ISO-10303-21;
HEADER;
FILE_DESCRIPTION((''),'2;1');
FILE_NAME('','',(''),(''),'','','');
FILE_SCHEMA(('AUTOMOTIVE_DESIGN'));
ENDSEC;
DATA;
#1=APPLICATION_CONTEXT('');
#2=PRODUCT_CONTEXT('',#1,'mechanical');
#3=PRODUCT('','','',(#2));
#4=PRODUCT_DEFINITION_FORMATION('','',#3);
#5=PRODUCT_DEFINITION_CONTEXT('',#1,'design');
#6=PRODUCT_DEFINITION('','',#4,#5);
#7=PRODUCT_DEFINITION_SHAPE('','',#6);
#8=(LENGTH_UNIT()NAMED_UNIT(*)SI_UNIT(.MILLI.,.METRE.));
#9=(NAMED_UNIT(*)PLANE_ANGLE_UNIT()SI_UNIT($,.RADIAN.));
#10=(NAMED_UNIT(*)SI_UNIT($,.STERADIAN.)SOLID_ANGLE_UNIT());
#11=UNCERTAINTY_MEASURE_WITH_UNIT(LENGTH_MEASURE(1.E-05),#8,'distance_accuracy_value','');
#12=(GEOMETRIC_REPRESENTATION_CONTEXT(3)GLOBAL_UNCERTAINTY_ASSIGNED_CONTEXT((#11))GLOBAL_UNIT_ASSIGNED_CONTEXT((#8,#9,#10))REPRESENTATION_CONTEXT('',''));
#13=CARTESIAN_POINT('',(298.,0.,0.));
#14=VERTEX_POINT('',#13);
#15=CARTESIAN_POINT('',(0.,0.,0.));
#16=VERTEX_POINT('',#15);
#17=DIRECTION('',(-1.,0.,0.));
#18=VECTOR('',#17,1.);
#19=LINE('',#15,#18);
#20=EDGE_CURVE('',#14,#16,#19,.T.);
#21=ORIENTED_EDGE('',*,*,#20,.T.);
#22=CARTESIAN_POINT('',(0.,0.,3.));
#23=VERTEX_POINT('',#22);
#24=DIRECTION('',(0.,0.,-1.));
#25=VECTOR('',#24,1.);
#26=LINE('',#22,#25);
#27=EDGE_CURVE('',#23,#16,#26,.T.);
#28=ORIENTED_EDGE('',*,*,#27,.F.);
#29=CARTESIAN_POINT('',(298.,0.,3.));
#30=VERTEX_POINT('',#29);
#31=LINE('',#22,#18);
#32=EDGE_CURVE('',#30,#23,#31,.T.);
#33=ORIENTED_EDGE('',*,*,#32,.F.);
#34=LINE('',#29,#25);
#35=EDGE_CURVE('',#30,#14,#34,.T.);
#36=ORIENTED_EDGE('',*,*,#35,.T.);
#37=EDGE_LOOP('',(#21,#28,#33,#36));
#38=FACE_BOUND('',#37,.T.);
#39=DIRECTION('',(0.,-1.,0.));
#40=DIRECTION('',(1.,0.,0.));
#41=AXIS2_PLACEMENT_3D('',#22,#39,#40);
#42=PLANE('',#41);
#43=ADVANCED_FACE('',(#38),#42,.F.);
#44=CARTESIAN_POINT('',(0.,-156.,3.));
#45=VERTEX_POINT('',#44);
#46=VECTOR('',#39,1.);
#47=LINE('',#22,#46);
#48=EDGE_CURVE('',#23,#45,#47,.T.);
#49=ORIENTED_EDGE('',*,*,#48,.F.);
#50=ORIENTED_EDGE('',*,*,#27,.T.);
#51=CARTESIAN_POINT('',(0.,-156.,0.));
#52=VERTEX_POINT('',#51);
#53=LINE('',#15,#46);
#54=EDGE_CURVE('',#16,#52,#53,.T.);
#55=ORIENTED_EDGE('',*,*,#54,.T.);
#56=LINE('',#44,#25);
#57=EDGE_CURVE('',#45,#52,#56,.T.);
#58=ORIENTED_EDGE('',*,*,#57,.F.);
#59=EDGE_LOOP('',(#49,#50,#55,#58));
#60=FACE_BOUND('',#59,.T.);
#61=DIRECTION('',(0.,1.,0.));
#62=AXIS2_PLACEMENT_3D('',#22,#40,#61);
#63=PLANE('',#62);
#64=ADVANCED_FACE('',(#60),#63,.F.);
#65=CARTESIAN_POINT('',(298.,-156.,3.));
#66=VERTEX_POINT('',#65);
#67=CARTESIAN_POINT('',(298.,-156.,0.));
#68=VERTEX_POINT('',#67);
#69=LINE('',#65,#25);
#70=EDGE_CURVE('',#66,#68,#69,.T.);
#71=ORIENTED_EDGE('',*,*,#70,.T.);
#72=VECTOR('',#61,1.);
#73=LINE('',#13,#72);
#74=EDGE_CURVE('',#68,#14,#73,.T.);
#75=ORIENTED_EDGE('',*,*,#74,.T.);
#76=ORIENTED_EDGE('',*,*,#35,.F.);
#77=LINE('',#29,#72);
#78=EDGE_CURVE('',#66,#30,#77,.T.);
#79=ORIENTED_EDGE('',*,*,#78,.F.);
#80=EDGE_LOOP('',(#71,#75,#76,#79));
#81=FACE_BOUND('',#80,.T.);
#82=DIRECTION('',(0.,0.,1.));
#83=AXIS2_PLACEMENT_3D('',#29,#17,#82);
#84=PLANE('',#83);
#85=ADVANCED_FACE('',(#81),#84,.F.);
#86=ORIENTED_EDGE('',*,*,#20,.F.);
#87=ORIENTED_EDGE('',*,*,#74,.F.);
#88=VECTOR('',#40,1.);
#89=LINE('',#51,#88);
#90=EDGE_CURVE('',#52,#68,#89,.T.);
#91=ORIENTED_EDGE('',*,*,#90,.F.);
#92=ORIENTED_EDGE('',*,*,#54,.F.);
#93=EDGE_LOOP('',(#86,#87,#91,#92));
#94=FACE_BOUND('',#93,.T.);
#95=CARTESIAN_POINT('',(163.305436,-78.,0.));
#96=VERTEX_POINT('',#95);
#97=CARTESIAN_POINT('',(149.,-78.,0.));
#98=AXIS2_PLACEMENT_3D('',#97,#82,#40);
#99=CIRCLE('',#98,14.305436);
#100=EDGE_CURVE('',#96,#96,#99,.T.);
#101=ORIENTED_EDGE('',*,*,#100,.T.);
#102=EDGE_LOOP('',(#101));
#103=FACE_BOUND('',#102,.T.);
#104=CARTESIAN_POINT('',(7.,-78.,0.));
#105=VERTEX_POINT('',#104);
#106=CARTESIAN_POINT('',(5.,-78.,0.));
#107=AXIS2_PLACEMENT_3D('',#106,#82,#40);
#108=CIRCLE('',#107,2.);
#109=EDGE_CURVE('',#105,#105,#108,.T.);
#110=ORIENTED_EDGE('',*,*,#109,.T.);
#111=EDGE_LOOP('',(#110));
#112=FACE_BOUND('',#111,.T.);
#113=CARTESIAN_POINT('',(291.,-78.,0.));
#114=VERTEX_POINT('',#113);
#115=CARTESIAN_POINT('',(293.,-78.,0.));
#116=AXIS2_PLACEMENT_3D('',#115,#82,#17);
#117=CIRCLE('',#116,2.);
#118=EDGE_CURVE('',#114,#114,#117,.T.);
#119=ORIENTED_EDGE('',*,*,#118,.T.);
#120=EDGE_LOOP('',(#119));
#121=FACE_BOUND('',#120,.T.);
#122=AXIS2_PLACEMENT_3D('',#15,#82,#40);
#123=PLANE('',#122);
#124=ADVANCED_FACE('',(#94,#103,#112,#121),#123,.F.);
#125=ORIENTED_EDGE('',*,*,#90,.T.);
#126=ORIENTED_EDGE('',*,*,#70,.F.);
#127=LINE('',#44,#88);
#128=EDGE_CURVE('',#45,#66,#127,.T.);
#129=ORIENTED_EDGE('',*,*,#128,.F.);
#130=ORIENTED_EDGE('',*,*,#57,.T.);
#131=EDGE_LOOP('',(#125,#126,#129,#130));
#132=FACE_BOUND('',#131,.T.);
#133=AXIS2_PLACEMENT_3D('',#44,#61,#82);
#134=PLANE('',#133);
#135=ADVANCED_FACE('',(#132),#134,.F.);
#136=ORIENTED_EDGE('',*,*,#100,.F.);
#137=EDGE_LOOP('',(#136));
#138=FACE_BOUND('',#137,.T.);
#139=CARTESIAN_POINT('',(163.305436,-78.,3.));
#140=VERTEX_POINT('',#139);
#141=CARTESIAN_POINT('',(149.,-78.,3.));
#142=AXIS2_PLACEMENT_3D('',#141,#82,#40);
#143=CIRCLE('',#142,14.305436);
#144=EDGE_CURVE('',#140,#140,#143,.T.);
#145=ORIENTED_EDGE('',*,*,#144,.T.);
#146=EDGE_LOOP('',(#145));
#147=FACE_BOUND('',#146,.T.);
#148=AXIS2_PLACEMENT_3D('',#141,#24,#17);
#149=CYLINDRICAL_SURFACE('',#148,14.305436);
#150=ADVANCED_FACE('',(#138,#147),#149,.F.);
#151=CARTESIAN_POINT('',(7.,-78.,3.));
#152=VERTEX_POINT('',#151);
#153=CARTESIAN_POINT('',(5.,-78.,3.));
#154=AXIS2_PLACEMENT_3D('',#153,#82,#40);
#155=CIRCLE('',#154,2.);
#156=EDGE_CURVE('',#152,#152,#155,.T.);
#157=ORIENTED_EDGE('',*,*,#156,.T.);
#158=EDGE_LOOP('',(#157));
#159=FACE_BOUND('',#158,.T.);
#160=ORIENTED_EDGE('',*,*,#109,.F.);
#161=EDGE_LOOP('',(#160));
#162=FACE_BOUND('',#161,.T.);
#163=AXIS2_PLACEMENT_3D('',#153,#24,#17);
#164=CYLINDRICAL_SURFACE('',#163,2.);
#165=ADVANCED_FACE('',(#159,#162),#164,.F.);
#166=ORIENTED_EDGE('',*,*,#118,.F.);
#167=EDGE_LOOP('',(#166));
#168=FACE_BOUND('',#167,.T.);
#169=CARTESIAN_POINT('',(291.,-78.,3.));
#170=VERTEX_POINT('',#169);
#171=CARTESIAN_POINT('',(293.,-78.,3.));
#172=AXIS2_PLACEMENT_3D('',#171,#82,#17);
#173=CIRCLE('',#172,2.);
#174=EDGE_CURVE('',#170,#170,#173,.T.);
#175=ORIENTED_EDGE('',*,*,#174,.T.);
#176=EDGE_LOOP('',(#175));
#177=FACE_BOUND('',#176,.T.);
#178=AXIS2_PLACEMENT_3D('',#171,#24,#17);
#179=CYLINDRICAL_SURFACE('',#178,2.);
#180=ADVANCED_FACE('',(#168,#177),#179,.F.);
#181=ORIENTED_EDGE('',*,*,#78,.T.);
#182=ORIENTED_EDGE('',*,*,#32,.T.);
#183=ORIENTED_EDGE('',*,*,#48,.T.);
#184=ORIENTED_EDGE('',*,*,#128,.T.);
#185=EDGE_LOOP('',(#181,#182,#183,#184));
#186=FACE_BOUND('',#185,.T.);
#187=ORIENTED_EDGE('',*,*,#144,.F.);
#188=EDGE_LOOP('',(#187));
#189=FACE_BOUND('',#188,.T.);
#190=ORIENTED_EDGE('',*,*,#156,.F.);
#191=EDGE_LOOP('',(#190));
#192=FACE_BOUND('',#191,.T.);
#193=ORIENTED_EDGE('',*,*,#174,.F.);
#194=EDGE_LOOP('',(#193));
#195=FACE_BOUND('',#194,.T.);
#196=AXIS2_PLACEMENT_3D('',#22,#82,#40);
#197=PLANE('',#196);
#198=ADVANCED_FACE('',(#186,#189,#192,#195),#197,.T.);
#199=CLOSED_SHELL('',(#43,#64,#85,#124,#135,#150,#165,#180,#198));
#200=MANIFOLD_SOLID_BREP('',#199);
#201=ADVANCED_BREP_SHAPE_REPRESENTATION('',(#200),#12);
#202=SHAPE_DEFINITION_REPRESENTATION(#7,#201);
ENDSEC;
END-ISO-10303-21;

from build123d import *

# Parameters (mm, degrees)
SKETCH1_W           = 298
SKETCH1_H           = 156
SKETCH1_R           = 14.30543568
SKETCH1_R_2         = 2
BOSS_EXTRUDE2_DEPTH = 3


with BuildPart() as part:
    # Sketch1 → Boss-Extrude2 (new body)
    with BuildSketch(Plane.XY):
        with Locations((149, -78)):
            Rectangle(SKETCH1_W, SKETCH1_H)
        with Locations((149, -78)):
            Circle(SKETCH1_R, mode=Mode.SUBTRACT)
        with Locations((5, -78)):
            Circle(SKETCH1_R_2, mode=Mode.SUBTRACT)
        with Locations((293, -78)):
            Circle(SKETCH1_R_2, mode=Mode.SUBTRACT)
    extrude(amount=BOSS_EXTRUDE2_DEPTH)


solid = part.part
